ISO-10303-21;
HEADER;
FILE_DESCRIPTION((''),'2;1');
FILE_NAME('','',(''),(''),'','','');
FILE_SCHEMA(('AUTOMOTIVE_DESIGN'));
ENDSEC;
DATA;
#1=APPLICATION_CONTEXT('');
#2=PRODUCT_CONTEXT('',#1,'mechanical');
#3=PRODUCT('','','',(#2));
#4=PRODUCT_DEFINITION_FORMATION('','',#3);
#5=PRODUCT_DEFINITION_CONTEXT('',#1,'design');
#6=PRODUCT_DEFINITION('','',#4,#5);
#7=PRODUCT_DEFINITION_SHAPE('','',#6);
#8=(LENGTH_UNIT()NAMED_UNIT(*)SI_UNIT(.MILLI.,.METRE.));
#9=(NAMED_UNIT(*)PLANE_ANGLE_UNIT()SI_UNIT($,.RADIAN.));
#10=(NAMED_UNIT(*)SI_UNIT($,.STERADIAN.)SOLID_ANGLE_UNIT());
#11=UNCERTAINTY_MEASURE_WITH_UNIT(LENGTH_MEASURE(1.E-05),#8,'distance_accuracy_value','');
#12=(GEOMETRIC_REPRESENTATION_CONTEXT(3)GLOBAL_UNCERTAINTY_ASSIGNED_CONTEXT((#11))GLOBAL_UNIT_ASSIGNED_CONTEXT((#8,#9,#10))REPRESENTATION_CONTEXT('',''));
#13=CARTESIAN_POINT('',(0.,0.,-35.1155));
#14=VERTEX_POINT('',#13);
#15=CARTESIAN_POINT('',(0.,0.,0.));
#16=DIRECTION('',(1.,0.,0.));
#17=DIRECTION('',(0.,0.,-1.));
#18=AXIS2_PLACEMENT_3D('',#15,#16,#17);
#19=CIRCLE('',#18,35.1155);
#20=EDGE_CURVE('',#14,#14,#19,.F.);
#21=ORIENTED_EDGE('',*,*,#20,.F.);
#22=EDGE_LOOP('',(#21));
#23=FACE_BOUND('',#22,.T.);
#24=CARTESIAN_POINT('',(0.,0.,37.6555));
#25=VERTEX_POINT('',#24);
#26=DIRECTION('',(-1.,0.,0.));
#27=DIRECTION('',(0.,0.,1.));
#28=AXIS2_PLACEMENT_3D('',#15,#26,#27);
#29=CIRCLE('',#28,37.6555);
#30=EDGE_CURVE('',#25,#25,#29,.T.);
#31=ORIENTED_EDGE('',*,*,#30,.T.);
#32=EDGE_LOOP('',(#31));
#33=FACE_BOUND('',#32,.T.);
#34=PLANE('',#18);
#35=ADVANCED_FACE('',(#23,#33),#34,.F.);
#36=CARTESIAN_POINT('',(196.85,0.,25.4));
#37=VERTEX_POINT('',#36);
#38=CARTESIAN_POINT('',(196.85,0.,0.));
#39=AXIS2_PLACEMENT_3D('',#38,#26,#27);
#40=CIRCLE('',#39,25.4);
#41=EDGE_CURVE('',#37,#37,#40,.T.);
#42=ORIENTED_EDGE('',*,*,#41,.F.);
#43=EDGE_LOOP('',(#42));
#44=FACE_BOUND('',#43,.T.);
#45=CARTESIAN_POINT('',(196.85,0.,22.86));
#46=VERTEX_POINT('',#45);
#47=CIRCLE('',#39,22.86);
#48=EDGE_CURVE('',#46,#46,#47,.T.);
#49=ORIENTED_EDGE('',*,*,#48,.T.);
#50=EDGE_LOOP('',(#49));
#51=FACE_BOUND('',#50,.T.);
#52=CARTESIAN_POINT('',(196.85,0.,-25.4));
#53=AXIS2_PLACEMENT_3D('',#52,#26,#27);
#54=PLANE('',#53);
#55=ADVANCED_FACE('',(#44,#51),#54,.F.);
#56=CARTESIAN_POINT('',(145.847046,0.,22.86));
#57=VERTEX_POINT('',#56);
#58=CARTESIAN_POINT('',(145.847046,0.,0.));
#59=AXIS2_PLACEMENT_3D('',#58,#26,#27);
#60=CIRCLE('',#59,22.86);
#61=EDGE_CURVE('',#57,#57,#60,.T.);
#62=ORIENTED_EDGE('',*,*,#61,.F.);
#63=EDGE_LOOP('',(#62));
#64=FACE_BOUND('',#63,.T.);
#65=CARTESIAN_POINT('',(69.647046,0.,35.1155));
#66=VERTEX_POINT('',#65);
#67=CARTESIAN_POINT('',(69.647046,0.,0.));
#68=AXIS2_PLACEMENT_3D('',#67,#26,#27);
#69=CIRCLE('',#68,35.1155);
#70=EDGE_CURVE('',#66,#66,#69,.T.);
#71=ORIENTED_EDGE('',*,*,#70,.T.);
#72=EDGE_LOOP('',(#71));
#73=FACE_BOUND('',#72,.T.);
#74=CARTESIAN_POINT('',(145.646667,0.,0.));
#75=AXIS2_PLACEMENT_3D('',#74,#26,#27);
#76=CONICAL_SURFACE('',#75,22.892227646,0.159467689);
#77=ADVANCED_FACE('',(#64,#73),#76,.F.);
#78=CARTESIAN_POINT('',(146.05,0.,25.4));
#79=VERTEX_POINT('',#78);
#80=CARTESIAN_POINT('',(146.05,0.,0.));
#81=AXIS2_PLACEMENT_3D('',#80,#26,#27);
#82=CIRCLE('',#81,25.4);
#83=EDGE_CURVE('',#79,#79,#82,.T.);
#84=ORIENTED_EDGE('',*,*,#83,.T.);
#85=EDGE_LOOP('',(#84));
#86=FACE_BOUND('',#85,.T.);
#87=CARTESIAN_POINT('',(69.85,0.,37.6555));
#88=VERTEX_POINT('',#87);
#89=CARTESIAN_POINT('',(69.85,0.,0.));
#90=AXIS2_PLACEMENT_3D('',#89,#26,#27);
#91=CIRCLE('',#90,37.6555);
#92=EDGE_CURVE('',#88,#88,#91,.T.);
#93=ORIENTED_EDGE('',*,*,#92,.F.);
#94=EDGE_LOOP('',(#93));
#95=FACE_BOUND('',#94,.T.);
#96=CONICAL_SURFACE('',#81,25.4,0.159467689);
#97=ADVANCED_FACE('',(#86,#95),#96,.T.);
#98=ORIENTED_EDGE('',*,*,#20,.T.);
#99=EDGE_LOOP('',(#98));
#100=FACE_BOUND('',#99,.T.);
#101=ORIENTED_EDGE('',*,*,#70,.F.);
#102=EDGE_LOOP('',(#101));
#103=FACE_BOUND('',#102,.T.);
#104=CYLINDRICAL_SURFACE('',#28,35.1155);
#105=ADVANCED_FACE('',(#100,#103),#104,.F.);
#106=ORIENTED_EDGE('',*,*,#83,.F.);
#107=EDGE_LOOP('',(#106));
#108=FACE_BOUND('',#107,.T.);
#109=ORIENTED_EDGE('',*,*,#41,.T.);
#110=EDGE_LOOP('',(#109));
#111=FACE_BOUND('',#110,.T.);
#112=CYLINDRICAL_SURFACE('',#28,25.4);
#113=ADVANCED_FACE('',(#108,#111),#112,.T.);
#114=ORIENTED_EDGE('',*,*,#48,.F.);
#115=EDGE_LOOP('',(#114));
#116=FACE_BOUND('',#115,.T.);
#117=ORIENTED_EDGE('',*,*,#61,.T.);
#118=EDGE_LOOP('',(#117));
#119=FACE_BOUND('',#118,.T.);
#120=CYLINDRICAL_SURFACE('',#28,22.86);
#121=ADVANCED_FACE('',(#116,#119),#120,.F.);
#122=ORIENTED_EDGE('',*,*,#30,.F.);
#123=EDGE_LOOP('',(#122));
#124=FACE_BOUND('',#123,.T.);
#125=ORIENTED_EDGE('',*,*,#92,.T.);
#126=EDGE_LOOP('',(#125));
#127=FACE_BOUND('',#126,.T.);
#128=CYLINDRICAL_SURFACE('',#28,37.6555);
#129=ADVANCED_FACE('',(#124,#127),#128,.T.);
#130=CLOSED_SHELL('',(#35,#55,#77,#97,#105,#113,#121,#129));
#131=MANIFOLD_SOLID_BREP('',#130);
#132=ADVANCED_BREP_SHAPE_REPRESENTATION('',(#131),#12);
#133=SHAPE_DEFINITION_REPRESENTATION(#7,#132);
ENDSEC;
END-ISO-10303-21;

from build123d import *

# Parameters (mm, degrees)
SHELL1_T = -2.54


with BuildPart() as part:
    # Sketch1 → Revolve1 (revolve)
    with BuildSketch(Plane(origin=(0, 0, 0), x_dir=(1, 0, 0), z_dir=(0, 1, 0)), mode=Mode.PRIVATE) as revolve1_sk:
        Polygon((0, 0), (0, 37.6555), (69.85, 37.6555), (146.05, 25.4), (196.85, 25.4), (196.85, 0), align=None)
    revolve(revolve1_sk.sketch.rotate(Axis((0, 0, 0), (1, 0, 0)), 180), axis=Axis((0, 0, 0), (1, 0, 0)))

    # Shell1
    shell1_openings = [part.faces().sort_by_distance(p)[0] for p in [
        (196.85, 0, 0),
        (0, 0, 0),
    ]]
    offset(amount=SHELL1_T, openings=shell1_openings, kind=Kind.INTERSECTION)


solid = part.part
